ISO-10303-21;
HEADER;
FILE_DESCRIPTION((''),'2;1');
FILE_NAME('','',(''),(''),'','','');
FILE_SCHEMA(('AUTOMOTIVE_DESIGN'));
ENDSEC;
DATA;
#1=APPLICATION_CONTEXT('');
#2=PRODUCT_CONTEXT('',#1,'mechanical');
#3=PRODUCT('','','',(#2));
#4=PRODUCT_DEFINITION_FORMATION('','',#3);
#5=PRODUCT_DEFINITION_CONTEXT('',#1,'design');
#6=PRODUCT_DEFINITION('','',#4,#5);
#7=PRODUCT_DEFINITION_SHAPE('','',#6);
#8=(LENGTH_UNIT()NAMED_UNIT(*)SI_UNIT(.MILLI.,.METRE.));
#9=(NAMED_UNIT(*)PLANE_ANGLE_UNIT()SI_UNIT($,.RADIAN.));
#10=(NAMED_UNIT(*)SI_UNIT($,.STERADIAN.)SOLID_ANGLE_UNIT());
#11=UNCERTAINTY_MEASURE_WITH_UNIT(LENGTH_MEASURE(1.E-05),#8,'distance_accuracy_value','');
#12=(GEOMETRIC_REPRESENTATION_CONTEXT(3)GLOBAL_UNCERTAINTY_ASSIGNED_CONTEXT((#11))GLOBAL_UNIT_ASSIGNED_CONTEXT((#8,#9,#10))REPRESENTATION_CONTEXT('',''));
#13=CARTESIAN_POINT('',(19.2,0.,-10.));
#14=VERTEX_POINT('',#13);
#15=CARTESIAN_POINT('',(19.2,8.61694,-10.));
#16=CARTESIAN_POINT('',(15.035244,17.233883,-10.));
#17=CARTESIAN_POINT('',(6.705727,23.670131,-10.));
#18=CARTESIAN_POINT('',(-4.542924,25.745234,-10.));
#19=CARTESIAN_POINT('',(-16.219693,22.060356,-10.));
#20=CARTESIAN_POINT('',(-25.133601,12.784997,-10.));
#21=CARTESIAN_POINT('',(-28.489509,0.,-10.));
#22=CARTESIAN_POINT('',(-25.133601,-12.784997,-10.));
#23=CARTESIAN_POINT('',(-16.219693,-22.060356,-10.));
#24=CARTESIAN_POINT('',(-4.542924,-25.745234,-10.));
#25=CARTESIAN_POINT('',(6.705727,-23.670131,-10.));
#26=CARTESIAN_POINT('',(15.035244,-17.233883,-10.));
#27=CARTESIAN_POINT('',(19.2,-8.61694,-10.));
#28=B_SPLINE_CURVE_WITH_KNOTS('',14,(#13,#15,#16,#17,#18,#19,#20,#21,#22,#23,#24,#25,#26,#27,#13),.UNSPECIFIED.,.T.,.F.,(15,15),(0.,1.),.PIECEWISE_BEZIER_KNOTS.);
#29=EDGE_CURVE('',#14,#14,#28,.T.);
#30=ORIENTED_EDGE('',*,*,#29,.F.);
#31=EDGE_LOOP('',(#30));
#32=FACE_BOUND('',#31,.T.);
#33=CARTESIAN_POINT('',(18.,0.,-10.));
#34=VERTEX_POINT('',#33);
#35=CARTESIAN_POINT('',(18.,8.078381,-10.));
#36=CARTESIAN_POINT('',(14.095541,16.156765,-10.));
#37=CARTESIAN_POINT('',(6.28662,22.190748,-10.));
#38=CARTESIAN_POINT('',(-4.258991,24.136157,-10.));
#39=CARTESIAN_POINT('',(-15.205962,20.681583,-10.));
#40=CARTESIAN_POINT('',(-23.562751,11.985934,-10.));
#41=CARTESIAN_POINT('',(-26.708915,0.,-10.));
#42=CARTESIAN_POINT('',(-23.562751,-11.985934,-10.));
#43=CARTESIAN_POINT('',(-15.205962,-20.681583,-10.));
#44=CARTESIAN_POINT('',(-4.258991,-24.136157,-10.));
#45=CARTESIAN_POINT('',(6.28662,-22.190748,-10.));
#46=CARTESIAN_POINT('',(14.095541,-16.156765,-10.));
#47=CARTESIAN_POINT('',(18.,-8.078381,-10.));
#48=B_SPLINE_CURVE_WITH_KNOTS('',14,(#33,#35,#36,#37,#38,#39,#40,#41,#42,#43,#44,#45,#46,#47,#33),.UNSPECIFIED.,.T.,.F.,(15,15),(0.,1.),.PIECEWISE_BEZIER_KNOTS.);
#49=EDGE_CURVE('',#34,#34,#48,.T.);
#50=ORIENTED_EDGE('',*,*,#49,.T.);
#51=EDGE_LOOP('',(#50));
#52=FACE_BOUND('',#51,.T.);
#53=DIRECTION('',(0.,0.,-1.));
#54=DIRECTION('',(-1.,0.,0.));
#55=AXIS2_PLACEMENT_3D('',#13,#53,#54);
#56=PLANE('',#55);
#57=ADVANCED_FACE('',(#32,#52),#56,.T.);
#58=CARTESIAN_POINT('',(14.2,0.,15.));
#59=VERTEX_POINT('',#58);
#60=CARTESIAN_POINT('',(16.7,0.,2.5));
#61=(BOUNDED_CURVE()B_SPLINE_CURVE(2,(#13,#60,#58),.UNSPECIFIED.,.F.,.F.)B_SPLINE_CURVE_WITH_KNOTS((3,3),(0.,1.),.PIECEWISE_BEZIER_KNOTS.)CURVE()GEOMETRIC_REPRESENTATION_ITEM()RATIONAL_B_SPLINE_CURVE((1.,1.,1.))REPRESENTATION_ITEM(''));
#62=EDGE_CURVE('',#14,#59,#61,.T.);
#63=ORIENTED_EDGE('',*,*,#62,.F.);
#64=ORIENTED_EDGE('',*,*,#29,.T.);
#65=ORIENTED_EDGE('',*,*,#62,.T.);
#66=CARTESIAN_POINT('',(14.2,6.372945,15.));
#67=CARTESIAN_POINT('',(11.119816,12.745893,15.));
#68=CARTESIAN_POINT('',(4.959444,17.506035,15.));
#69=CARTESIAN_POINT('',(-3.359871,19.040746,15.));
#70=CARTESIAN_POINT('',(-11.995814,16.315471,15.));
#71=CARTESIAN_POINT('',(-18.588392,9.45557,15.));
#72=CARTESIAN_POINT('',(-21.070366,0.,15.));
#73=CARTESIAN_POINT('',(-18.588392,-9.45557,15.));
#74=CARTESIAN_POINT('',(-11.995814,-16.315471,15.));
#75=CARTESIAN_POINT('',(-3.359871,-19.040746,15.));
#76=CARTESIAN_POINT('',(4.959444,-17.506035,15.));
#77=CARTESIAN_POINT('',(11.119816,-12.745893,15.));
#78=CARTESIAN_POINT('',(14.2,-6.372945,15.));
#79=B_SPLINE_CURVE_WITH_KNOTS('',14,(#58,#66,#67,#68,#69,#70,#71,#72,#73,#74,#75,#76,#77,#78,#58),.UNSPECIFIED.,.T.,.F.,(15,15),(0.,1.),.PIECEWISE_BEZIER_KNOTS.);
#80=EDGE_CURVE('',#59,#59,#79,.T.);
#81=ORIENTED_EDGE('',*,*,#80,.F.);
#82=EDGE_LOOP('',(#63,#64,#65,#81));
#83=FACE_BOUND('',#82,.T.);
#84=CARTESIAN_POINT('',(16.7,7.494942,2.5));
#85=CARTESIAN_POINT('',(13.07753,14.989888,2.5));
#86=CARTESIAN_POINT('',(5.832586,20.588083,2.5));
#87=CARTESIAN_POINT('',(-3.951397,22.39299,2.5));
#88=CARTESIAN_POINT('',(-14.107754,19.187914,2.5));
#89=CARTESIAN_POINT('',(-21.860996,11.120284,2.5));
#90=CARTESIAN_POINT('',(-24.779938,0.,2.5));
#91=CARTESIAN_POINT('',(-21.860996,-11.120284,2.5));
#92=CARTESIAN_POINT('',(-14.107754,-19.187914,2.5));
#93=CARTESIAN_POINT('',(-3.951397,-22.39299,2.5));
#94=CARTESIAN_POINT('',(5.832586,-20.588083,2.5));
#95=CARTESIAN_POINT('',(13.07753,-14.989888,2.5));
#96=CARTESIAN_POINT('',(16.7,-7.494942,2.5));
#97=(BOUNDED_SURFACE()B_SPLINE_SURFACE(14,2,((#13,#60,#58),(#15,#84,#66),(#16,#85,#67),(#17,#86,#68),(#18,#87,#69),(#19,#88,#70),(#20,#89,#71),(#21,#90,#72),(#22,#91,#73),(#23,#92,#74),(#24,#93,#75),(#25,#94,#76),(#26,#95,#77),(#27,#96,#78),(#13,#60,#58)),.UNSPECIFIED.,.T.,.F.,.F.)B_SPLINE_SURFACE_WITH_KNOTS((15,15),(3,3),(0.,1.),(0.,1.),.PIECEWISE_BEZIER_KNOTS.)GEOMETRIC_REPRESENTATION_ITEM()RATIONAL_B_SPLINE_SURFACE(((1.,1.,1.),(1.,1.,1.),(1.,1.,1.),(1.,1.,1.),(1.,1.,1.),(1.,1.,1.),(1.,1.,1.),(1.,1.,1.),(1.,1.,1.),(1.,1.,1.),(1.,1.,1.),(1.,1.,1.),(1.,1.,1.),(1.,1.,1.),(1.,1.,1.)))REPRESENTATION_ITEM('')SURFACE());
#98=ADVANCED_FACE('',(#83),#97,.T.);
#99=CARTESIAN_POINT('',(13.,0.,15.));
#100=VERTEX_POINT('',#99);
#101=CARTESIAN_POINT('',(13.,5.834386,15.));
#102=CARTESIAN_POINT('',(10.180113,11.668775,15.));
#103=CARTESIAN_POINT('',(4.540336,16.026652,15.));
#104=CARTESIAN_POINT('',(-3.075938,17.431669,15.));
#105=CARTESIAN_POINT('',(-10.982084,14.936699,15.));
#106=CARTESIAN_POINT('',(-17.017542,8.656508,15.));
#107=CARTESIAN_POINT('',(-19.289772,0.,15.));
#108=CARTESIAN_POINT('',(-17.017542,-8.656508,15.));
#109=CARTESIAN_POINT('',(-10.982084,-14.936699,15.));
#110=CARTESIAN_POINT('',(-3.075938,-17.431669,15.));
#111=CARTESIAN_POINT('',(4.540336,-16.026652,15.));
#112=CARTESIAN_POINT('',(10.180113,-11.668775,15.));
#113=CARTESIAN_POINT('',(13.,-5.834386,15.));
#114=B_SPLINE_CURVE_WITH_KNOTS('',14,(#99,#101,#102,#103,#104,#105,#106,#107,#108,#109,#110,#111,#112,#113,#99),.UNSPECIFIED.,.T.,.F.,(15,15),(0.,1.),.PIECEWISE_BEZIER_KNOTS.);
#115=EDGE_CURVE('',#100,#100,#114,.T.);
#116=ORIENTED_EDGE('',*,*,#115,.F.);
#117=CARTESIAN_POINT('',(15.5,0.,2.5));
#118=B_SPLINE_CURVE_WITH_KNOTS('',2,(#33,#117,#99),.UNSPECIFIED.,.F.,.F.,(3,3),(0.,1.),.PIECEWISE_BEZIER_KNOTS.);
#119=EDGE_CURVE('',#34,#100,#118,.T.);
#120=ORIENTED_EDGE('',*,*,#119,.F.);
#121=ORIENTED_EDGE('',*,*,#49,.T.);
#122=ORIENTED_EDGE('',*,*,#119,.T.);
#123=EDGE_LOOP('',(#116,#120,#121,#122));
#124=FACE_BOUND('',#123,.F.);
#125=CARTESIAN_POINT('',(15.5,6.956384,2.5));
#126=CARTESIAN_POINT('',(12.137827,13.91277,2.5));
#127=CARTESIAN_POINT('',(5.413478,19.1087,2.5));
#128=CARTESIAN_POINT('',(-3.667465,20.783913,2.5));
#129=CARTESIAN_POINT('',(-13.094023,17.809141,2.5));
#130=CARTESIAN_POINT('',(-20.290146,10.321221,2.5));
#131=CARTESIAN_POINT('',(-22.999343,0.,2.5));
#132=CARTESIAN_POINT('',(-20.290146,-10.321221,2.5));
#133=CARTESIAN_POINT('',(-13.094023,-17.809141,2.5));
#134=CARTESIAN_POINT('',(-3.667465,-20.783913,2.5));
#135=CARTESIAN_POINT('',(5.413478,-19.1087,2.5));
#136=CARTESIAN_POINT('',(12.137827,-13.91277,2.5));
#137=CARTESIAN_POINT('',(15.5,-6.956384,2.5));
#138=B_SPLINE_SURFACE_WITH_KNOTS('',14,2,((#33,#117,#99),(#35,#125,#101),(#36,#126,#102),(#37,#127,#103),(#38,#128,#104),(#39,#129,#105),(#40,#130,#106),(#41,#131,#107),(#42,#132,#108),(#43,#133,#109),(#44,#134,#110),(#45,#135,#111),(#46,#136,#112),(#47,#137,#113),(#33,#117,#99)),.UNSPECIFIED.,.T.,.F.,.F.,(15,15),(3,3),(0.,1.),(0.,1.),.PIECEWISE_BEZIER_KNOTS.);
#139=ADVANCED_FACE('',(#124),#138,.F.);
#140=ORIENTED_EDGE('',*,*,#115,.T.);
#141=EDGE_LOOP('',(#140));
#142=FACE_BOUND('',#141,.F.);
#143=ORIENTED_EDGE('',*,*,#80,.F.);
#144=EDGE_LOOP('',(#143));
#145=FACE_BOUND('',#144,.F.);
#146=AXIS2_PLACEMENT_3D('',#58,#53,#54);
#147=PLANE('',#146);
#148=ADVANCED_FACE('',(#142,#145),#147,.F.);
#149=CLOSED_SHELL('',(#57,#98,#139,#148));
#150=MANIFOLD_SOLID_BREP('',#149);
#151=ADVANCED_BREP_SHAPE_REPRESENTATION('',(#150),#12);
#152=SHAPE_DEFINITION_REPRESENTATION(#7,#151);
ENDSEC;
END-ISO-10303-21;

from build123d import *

# Parameters (mm, degrees)
F9_R  = 19.2
F0_R  = 17.2
F3_R  = 15.2
F6_R  = 14.2
F10_R = 18
F1_R  = 16
F4_R  = 14
F7_R  = 13


with BuildPart() as f11:
    # F9 (on offset) → F11 section 0
    with BuildSketch(Plane.XY.offset(-10)):
        Circle(F9_R)
    # F0 (on Top) → F11 section 1
    with BuildSketch(Plane.XY):
        Circle(F0_R)
    # F3 (on offset) → F11 section 2
    with BuildSketch(Plane.XY.offset(10)):
        Circle(F3_R)
    # F6 (on offset) → F11 section 3
    with BuildSketch(Plane.XY.offset(15)):
        Circle(F6_R)
    loft()

    # F10 (on offset) → F12 section 0
    with BuildSketch(Plane.XY.offset(-10)):
        Circle(F10_R)
    # F1 (on Top) → F12 section 1
    with BuildSketch(Plane.XY):
        Circle(F1_R)
    # F4 (on offset) → F12 section 2
    with BuildSketch(Plane.XY.offset(10)):
        Circle(F4_R)
    # F7 (on offset) → F12 section 3
    with BuildSketch(Plane.XY.offset(15)):
        Circle(F7_R)
    loft(mode=Mode.SUBTRACT)


solid = f11.part
